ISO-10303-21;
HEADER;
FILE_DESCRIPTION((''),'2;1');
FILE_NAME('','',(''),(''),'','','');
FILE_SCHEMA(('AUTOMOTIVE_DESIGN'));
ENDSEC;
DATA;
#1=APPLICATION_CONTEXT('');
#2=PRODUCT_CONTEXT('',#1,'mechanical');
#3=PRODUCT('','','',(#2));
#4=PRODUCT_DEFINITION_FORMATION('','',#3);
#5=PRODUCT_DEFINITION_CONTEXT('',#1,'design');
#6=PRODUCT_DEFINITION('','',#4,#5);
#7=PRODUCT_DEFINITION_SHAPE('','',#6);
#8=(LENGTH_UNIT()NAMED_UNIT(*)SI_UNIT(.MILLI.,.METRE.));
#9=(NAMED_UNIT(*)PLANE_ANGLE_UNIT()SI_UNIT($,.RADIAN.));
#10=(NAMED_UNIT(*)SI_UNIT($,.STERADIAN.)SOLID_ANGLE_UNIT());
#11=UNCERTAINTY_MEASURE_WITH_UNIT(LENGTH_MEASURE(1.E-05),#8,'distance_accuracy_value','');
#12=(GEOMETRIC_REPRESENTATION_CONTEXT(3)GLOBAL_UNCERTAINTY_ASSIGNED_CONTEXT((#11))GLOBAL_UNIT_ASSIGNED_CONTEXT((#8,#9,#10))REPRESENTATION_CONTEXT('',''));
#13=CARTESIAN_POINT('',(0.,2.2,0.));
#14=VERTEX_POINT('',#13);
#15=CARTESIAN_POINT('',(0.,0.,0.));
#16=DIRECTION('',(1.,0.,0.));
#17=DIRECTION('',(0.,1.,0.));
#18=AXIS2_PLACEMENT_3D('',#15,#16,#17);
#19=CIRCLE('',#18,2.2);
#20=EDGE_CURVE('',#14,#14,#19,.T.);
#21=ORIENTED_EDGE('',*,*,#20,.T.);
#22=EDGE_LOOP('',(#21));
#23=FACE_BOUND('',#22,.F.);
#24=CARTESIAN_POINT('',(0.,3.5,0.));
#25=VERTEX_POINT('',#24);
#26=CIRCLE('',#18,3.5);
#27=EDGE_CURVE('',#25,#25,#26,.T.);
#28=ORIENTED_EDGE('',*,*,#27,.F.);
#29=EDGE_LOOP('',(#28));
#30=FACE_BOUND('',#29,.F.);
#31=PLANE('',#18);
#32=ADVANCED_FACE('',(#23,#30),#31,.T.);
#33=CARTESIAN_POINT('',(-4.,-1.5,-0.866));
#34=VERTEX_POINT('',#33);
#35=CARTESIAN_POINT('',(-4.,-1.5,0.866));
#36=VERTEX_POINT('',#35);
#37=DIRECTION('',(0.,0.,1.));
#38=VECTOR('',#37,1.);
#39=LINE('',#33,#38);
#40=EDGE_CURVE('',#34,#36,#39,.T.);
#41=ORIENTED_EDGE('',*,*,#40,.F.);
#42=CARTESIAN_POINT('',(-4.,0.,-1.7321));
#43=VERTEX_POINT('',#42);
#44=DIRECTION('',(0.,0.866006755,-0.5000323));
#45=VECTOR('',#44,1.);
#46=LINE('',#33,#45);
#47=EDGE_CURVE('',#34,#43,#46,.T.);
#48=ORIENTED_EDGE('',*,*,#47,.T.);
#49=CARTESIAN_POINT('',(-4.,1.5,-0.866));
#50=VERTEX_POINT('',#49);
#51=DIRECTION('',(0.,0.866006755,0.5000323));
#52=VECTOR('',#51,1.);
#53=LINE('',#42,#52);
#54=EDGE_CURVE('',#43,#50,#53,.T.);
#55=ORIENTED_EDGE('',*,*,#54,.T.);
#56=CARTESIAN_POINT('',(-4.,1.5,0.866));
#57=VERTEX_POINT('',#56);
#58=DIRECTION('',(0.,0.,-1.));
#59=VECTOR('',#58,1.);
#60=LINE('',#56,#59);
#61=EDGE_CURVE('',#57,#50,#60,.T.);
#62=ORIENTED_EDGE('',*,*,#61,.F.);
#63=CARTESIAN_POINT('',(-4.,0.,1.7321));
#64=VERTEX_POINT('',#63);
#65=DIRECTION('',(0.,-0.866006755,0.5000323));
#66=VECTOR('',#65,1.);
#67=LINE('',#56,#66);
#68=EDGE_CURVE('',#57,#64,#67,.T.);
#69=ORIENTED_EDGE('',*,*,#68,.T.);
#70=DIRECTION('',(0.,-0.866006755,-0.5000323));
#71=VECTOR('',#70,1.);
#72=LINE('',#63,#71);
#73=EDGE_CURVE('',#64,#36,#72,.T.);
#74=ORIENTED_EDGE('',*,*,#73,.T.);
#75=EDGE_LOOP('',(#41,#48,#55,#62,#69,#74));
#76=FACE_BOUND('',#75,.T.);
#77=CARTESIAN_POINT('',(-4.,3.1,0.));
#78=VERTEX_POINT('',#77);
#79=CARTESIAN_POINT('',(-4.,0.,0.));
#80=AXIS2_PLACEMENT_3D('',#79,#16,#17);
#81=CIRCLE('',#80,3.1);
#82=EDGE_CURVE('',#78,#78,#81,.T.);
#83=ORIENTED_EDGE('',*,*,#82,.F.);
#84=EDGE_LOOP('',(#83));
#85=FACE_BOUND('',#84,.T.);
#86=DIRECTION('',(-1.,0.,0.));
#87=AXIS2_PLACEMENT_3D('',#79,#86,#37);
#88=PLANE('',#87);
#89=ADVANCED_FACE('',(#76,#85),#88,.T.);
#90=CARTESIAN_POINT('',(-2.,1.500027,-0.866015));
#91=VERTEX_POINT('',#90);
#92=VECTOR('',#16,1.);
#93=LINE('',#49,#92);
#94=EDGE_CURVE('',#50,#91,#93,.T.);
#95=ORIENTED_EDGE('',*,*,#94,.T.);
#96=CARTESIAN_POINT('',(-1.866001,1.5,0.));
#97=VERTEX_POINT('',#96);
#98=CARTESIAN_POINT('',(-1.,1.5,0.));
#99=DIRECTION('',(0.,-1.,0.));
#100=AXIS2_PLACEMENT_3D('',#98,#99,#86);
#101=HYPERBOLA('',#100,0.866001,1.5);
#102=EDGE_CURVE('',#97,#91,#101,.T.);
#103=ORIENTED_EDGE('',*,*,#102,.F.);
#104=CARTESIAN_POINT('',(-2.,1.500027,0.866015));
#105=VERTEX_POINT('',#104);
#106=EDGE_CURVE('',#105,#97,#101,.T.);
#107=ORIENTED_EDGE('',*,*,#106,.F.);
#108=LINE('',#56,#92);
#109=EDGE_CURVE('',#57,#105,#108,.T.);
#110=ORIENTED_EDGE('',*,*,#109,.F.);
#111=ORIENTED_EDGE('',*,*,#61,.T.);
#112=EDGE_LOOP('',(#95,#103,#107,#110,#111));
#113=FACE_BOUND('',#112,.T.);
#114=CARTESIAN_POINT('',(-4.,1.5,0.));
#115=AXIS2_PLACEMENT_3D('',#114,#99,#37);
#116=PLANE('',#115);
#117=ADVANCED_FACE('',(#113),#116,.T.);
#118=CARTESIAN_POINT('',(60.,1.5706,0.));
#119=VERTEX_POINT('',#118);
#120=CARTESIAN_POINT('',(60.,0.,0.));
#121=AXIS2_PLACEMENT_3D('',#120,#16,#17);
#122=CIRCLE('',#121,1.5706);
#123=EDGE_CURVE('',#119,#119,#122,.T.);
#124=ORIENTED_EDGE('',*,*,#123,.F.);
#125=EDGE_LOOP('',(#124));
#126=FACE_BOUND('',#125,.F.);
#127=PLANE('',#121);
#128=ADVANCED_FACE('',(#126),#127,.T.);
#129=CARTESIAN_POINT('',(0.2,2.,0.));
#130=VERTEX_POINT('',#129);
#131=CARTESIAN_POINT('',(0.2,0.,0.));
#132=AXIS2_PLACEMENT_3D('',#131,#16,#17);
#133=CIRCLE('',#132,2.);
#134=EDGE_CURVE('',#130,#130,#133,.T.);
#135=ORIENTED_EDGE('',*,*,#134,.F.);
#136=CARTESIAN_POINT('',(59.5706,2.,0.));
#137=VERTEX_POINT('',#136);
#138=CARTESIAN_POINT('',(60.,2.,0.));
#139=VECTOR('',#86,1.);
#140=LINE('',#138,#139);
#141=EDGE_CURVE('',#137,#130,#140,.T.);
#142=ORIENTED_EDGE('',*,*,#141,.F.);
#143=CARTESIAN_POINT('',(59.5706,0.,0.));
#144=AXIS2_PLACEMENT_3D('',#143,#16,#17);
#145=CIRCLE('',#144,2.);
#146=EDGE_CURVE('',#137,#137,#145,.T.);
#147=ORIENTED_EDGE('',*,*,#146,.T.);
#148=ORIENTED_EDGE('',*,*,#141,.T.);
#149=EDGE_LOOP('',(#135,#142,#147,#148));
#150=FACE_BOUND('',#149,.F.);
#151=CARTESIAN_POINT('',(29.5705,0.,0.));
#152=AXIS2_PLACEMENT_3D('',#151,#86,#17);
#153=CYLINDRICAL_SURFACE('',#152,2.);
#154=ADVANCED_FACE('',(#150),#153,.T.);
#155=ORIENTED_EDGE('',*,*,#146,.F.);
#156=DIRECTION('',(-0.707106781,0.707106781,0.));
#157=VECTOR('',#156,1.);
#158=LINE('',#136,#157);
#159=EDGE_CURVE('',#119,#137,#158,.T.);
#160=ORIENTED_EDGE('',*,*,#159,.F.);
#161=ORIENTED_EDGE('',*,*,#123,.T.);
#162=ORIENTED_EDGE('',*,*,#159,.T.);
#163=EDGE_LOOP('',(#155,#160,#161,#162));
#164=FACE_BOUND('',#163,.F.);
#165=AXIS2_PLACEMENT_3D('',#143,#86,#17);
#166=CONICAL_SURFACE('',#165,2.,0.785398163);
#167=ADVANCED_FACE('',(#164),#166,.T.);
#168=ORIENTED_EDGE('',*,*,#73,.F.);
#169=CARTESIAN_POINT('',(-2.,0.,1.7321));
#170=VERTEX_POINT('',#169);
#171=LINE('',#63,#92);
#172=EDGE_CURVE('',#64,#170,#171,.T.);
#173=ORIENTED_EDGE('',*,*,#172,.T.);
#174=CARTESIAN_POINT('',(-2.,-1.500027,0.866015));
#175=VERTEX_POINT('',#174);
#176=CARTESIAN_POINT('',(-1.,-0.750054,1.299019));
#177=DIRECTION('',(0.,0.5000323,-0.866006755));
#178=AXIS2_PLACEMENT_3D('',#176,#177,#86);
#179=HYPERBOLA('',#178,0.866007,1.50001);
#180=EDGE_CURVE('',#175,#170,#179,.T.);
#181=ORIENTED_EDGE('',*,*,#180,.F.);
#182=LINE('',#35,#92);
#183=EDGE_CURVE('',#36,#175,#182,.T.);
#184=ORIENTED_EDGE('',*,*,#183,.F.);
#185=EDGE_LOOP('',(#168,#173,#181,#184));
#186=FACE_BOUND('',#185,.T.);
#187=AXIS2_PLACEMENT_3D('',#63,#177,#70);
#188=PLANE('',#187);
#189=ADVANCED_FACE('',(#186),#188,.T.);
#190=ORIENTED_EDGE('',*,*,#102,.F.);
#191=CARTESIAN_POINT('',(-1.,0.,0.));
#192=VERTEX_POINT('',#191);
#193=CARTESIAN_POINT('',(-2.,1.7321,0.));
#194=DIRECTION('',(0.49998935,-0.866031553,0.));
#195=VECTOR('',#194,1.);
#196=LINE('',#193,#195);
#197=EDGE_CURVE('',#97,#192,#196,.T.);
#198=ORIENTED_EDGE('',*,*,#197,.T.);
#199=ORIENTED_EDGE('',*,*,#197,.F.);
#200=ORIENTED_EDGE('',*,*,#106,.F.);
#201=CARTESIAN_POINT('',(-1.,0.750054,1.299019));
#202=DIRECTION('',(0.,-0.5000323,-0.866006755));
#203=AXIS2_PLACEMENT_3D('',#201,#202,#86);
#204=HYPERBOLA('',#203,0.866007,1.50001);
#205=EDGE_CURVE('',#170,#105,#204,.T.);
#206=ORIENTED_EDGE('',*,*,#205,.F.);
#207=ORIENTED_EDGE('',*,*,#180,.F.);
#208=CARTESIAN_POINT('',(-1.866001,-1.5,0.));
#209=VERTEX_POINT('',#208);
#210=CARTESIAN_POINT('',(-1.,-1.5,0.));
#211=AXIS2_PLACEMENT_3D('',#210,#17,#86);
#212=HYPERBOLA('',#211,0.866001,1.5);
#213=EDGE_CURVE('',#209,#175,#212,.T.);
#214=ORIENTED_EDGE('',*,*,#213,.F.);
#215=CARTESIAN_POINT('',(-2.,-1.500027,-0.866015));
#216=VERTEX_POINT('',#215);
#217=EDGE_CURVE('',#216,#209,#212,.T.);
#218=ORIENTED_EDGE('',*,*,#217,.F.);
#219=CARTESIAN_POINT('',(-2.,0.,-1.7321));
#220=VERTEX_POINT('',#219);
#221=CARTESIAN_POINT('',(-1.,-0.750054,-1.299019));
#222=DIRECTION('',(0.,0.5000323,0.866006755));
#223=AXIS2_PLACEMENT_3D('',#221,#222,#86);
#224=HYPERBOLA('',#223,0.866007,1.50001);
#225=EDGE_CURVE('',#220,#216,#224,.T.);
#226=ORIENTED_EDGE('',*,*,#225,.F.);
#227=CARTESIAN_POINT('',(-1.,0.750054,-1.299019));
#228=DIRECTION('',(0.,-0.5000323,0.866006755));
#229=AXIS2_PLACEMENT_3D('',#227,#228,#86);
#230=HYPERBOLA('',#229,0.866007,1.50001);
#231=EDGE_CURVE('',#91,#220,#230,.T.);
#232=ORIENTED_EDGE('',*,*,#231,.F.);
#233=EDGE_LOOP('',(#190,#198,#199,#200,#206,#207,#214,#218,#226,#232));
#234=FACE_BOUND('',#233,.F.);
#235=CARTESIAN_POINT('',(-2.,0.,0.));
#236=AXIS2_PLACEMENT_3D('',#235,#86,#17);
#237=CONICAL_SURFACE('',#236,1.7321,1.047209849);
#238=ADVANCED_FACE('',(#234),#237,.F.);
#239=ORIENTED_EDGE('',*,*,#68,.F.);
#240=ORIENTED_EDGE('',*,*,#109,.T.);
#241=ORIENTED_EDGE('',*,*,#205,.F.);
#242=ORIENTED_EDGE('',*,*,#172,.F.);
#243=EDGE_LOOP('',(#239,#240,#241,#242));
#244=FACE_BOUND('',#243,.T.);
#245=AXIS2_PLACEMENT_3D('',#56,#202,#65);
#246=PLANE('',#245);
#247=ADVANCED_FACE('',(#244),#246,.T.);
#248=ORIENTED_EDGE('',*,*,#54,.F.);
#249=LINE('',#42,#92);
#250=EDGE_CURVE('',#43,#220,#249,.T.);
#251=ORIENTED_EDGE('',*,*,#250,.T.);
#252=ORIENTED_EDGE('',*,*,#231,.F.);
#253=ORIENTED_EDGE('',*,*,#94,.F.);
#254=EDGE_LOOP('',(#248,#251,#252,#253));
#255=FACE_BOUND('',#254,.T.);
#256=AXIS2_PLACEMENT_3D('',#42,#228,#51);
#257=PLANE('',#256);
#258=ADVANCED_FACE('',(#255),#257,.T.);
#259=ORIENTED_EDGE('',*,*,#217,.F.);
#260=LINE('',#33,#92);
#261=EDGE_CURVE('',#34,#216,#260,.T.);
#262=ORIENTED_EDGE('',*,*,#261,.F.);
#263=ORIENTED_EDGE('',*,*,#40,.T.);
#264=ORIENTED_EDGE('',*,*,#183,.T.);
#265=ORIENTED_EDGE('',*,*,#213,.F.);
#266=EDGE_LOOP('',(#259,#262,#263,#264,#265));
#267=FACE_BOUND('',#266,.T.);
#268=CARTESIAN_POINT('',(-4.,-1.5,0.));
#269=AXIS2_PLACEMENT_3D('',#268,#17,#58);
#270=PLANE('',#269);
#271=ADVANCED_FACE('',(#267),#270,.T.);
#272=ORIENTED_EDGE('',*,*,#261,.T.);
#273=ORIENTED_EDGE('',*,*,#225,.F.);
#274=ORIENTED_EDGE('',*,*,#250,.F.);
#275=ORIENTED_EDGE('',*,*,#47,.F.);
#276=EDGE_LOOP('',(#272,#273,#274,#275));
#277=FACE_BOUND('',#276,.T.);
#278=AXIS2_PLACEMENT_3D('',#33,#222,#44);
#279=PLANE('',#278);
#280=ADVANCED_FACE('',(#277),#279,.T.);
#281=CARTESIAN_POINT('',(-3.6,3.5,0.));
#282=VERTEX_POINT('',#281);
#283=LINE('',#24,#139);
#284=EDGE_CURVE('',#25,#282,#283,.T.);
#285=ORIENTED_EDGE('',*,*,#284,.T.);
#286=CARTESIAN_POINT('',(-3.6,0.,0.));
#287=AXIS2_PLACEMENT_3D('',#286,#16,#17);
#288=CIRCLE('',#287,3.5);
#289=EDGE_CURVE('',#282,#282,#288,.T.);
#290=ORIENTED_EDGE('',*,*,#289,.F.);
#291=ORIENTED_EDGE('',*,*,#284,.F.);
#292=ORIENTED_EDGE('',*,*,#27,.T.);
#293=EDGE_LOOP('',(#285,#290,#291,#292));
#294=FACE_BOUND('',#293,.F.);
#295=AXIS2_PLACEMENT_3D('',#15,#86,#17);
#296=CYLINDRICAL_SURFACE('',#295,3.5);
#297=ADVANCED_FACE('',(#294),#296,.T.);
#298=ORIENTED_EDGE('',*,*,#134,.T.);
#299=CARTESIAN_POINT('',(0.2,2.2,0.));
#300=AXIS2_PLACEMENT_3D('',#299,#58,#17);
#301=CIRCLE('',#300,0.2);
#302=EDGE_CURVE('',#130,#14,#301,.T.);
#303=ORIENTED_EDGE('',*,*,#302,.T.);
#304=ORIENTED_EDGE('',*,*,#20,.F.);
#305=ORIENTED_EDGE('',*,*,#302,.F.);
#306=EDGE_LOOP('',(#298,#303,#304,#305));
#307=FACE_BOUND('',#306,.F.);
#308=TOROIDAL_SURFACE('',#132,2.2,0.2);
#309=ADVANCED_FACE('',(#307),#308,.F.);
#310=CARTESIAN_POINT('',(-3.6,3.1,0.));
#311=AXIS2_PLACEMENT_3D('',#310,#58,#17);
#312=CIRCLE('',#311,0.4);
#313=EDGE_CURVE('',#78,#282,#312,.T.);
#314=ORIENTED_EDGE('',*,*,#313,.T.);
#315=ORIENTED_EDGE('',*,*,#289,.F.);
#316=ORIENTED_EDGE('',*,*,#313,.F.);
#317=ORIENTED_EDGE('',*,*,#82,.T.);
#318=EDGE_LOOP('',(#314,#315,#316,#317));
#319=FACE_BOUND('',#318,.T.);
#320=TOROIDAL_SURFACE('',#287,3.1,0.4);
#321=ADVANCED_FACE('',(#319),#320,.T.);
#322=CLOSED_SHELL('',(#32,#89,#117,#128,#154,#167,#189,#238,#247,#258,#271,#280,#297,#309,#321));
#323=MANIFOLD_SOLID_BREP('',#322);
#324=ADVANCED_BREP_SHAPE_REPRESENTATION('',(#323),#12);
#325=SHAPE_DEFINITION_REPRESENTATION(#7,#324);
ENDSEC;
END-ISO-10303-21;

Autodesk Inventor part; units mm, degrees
ref_plane "YZ Plane" through (0, 0, 0) normal (1, 0, 0) x (0, 1, 0)
ref_plane "XZ Plane" through (0, 0, 0) normal (0, 1, 0) x (-1, 0, 0)
sketch "Skizze1" plane through (0, 0, 0) normal (0, 0, 1) x (1, 0, 0)
  line L0 (-1, 0) -> (60, 0)
  line L1 (60, 0) -> (60, 2)
  line L2 (60, 2) -> (30, 2)
  line L3 (30, 2) -> (29.5705, 2)
  line L4 (29.5705, 2) -> (0, 2)
  line L5 (0, 2) -> (0, 3.5)
  line L6 (0, 3.5) -> (-4, 3.5)
  line L7 (-4, 3.5) -> (-4, 1.7321)
  line L8 (-4, 1.7321) -> (-2, 1.7321)
  line L9 (-2, 1.7321) -> (-1, 0)
  line L10 (-18.8, 0) -> (84.8, 0) projected
  line L11 (0, -0.7) -> (0, 4.2) projected
  line L12 (30, 2) -> (0, 2) construction
  dimension "d1" = 30
  dimension "d2" = 0.4295
  dimension "d3" = 4
  dimension "d4" = 2
  dimension "d5" = 60
  dimension "d6" = 4
  dimension "d7" = 4
  dimension "d8" = 3.4641
  dimension "d9" = 7
  dimension "d26" = 60
revolve "Körper" add sketch "Skizze1" angle 360 about axis through (-1, 0, 0) along (1, 0, 0)
sketch "Skizze2" plane through (-4, 0, 0) normal (-1, 0, 0) x (0, 0, 1)
  circle A0 centre (0, 0) radius 1.7321 projected
  line L0 (0, -4.9) -> (0, 4.9) projected
  line L1 (-4.9, 0) -> (4.9, 0) projected
  line L2 (1.7321, 0) -> (0.866, -1.5)
  line L3 (0.866, -1.5) -> (-0.866, -1.5)
  line L4 (-0.866, -1.5) -> (-1.7321, 0)
  line L5 (-1.7321, 0) -> (-0.866, 1.5)
  line L6 (-0.866, 1.5) -> (0.866, 1.5)
  line L7 (0.866, 1.5) -> (1.7321, 0)
extrude "Loch" add sketch "Skizze2" against normal up to next contours L7 A0 | A0 L2 | L6 L0 A0 | A0 L0 L3 | L0 L6 A0 | A0 L3 L0 | L4 A0 | A0 L5
fillet "Rundung1" radius 0.4 1 edges at (-4, -3.5, 0)
thread "Gewinde" size "M4x0.7" class "6g" standard "ISO Metric profile" length 30
chamfer "Fase1" distance 0.4294 distance2 0.4294 1 edges at (60, -2, 0) measured on face at (60, -0.2364, 0.6233)
ref_plane "Work Plane1" through (29, 0, 0) normal (0, -1, 0) x (1, 0, 0)
fillet "Fillet2" radius 0.2 1 edges at (0, -2, 0)
equation "\"d1\" = GEL"
equation "\"d3\" = KOH"
equation "\"d4\" = INTI"
equation "\"d6\" = GD"
equation "\"d7\" = BDM"
equation "\"d8\" = 1.1547 * SW"
equation "\"d9\" = KOD"
equation "\"d26\" = NLG"
equation "\"d30\" = R"
equation "\"d17\" = RR"
equation "\"d13\" = GEL"
equation "\"d15\" = -0.5 * SPD + 0.5 * GD"
equation "\"d16\" = GUL"
equation "\"GD\" = NND"
equation "\"NLG\" = 60"
equation "\"GEL\" = 30"
equation "\"KOD\" = 7"
equation "\"KOH\" = 4"
equation "\"INTI\" = 2"
equation "\"GAL\" = 0.61345 * PTC"
equation "\"GUL\" = 0.61345 * PTC"
equation "\"BDM\" = NND"
equation "\"SW\" = 3"
equation "\"RR\" = 0.4"
equation "\"SPD\" = NND - 1.2269 * PTC"
equation "\"R\" = 0.2"
equation "\"TOA\" = 30deg"
equation "\"GD1\" = THREADDIA - 1.2269 * PTC"
equation "\"THREADDIA\" = 4"
equation "\"FAWI\" = 45deg"
equation "\"ANG\" = 120deg"
equation "\"PTC\" = 0.7"
equation "\"NND\" = 4"
equation "\"E0\" = 1.155 * SW"
properties part number "DIN 912 - M4 x 60" material "Stahl, weich"
